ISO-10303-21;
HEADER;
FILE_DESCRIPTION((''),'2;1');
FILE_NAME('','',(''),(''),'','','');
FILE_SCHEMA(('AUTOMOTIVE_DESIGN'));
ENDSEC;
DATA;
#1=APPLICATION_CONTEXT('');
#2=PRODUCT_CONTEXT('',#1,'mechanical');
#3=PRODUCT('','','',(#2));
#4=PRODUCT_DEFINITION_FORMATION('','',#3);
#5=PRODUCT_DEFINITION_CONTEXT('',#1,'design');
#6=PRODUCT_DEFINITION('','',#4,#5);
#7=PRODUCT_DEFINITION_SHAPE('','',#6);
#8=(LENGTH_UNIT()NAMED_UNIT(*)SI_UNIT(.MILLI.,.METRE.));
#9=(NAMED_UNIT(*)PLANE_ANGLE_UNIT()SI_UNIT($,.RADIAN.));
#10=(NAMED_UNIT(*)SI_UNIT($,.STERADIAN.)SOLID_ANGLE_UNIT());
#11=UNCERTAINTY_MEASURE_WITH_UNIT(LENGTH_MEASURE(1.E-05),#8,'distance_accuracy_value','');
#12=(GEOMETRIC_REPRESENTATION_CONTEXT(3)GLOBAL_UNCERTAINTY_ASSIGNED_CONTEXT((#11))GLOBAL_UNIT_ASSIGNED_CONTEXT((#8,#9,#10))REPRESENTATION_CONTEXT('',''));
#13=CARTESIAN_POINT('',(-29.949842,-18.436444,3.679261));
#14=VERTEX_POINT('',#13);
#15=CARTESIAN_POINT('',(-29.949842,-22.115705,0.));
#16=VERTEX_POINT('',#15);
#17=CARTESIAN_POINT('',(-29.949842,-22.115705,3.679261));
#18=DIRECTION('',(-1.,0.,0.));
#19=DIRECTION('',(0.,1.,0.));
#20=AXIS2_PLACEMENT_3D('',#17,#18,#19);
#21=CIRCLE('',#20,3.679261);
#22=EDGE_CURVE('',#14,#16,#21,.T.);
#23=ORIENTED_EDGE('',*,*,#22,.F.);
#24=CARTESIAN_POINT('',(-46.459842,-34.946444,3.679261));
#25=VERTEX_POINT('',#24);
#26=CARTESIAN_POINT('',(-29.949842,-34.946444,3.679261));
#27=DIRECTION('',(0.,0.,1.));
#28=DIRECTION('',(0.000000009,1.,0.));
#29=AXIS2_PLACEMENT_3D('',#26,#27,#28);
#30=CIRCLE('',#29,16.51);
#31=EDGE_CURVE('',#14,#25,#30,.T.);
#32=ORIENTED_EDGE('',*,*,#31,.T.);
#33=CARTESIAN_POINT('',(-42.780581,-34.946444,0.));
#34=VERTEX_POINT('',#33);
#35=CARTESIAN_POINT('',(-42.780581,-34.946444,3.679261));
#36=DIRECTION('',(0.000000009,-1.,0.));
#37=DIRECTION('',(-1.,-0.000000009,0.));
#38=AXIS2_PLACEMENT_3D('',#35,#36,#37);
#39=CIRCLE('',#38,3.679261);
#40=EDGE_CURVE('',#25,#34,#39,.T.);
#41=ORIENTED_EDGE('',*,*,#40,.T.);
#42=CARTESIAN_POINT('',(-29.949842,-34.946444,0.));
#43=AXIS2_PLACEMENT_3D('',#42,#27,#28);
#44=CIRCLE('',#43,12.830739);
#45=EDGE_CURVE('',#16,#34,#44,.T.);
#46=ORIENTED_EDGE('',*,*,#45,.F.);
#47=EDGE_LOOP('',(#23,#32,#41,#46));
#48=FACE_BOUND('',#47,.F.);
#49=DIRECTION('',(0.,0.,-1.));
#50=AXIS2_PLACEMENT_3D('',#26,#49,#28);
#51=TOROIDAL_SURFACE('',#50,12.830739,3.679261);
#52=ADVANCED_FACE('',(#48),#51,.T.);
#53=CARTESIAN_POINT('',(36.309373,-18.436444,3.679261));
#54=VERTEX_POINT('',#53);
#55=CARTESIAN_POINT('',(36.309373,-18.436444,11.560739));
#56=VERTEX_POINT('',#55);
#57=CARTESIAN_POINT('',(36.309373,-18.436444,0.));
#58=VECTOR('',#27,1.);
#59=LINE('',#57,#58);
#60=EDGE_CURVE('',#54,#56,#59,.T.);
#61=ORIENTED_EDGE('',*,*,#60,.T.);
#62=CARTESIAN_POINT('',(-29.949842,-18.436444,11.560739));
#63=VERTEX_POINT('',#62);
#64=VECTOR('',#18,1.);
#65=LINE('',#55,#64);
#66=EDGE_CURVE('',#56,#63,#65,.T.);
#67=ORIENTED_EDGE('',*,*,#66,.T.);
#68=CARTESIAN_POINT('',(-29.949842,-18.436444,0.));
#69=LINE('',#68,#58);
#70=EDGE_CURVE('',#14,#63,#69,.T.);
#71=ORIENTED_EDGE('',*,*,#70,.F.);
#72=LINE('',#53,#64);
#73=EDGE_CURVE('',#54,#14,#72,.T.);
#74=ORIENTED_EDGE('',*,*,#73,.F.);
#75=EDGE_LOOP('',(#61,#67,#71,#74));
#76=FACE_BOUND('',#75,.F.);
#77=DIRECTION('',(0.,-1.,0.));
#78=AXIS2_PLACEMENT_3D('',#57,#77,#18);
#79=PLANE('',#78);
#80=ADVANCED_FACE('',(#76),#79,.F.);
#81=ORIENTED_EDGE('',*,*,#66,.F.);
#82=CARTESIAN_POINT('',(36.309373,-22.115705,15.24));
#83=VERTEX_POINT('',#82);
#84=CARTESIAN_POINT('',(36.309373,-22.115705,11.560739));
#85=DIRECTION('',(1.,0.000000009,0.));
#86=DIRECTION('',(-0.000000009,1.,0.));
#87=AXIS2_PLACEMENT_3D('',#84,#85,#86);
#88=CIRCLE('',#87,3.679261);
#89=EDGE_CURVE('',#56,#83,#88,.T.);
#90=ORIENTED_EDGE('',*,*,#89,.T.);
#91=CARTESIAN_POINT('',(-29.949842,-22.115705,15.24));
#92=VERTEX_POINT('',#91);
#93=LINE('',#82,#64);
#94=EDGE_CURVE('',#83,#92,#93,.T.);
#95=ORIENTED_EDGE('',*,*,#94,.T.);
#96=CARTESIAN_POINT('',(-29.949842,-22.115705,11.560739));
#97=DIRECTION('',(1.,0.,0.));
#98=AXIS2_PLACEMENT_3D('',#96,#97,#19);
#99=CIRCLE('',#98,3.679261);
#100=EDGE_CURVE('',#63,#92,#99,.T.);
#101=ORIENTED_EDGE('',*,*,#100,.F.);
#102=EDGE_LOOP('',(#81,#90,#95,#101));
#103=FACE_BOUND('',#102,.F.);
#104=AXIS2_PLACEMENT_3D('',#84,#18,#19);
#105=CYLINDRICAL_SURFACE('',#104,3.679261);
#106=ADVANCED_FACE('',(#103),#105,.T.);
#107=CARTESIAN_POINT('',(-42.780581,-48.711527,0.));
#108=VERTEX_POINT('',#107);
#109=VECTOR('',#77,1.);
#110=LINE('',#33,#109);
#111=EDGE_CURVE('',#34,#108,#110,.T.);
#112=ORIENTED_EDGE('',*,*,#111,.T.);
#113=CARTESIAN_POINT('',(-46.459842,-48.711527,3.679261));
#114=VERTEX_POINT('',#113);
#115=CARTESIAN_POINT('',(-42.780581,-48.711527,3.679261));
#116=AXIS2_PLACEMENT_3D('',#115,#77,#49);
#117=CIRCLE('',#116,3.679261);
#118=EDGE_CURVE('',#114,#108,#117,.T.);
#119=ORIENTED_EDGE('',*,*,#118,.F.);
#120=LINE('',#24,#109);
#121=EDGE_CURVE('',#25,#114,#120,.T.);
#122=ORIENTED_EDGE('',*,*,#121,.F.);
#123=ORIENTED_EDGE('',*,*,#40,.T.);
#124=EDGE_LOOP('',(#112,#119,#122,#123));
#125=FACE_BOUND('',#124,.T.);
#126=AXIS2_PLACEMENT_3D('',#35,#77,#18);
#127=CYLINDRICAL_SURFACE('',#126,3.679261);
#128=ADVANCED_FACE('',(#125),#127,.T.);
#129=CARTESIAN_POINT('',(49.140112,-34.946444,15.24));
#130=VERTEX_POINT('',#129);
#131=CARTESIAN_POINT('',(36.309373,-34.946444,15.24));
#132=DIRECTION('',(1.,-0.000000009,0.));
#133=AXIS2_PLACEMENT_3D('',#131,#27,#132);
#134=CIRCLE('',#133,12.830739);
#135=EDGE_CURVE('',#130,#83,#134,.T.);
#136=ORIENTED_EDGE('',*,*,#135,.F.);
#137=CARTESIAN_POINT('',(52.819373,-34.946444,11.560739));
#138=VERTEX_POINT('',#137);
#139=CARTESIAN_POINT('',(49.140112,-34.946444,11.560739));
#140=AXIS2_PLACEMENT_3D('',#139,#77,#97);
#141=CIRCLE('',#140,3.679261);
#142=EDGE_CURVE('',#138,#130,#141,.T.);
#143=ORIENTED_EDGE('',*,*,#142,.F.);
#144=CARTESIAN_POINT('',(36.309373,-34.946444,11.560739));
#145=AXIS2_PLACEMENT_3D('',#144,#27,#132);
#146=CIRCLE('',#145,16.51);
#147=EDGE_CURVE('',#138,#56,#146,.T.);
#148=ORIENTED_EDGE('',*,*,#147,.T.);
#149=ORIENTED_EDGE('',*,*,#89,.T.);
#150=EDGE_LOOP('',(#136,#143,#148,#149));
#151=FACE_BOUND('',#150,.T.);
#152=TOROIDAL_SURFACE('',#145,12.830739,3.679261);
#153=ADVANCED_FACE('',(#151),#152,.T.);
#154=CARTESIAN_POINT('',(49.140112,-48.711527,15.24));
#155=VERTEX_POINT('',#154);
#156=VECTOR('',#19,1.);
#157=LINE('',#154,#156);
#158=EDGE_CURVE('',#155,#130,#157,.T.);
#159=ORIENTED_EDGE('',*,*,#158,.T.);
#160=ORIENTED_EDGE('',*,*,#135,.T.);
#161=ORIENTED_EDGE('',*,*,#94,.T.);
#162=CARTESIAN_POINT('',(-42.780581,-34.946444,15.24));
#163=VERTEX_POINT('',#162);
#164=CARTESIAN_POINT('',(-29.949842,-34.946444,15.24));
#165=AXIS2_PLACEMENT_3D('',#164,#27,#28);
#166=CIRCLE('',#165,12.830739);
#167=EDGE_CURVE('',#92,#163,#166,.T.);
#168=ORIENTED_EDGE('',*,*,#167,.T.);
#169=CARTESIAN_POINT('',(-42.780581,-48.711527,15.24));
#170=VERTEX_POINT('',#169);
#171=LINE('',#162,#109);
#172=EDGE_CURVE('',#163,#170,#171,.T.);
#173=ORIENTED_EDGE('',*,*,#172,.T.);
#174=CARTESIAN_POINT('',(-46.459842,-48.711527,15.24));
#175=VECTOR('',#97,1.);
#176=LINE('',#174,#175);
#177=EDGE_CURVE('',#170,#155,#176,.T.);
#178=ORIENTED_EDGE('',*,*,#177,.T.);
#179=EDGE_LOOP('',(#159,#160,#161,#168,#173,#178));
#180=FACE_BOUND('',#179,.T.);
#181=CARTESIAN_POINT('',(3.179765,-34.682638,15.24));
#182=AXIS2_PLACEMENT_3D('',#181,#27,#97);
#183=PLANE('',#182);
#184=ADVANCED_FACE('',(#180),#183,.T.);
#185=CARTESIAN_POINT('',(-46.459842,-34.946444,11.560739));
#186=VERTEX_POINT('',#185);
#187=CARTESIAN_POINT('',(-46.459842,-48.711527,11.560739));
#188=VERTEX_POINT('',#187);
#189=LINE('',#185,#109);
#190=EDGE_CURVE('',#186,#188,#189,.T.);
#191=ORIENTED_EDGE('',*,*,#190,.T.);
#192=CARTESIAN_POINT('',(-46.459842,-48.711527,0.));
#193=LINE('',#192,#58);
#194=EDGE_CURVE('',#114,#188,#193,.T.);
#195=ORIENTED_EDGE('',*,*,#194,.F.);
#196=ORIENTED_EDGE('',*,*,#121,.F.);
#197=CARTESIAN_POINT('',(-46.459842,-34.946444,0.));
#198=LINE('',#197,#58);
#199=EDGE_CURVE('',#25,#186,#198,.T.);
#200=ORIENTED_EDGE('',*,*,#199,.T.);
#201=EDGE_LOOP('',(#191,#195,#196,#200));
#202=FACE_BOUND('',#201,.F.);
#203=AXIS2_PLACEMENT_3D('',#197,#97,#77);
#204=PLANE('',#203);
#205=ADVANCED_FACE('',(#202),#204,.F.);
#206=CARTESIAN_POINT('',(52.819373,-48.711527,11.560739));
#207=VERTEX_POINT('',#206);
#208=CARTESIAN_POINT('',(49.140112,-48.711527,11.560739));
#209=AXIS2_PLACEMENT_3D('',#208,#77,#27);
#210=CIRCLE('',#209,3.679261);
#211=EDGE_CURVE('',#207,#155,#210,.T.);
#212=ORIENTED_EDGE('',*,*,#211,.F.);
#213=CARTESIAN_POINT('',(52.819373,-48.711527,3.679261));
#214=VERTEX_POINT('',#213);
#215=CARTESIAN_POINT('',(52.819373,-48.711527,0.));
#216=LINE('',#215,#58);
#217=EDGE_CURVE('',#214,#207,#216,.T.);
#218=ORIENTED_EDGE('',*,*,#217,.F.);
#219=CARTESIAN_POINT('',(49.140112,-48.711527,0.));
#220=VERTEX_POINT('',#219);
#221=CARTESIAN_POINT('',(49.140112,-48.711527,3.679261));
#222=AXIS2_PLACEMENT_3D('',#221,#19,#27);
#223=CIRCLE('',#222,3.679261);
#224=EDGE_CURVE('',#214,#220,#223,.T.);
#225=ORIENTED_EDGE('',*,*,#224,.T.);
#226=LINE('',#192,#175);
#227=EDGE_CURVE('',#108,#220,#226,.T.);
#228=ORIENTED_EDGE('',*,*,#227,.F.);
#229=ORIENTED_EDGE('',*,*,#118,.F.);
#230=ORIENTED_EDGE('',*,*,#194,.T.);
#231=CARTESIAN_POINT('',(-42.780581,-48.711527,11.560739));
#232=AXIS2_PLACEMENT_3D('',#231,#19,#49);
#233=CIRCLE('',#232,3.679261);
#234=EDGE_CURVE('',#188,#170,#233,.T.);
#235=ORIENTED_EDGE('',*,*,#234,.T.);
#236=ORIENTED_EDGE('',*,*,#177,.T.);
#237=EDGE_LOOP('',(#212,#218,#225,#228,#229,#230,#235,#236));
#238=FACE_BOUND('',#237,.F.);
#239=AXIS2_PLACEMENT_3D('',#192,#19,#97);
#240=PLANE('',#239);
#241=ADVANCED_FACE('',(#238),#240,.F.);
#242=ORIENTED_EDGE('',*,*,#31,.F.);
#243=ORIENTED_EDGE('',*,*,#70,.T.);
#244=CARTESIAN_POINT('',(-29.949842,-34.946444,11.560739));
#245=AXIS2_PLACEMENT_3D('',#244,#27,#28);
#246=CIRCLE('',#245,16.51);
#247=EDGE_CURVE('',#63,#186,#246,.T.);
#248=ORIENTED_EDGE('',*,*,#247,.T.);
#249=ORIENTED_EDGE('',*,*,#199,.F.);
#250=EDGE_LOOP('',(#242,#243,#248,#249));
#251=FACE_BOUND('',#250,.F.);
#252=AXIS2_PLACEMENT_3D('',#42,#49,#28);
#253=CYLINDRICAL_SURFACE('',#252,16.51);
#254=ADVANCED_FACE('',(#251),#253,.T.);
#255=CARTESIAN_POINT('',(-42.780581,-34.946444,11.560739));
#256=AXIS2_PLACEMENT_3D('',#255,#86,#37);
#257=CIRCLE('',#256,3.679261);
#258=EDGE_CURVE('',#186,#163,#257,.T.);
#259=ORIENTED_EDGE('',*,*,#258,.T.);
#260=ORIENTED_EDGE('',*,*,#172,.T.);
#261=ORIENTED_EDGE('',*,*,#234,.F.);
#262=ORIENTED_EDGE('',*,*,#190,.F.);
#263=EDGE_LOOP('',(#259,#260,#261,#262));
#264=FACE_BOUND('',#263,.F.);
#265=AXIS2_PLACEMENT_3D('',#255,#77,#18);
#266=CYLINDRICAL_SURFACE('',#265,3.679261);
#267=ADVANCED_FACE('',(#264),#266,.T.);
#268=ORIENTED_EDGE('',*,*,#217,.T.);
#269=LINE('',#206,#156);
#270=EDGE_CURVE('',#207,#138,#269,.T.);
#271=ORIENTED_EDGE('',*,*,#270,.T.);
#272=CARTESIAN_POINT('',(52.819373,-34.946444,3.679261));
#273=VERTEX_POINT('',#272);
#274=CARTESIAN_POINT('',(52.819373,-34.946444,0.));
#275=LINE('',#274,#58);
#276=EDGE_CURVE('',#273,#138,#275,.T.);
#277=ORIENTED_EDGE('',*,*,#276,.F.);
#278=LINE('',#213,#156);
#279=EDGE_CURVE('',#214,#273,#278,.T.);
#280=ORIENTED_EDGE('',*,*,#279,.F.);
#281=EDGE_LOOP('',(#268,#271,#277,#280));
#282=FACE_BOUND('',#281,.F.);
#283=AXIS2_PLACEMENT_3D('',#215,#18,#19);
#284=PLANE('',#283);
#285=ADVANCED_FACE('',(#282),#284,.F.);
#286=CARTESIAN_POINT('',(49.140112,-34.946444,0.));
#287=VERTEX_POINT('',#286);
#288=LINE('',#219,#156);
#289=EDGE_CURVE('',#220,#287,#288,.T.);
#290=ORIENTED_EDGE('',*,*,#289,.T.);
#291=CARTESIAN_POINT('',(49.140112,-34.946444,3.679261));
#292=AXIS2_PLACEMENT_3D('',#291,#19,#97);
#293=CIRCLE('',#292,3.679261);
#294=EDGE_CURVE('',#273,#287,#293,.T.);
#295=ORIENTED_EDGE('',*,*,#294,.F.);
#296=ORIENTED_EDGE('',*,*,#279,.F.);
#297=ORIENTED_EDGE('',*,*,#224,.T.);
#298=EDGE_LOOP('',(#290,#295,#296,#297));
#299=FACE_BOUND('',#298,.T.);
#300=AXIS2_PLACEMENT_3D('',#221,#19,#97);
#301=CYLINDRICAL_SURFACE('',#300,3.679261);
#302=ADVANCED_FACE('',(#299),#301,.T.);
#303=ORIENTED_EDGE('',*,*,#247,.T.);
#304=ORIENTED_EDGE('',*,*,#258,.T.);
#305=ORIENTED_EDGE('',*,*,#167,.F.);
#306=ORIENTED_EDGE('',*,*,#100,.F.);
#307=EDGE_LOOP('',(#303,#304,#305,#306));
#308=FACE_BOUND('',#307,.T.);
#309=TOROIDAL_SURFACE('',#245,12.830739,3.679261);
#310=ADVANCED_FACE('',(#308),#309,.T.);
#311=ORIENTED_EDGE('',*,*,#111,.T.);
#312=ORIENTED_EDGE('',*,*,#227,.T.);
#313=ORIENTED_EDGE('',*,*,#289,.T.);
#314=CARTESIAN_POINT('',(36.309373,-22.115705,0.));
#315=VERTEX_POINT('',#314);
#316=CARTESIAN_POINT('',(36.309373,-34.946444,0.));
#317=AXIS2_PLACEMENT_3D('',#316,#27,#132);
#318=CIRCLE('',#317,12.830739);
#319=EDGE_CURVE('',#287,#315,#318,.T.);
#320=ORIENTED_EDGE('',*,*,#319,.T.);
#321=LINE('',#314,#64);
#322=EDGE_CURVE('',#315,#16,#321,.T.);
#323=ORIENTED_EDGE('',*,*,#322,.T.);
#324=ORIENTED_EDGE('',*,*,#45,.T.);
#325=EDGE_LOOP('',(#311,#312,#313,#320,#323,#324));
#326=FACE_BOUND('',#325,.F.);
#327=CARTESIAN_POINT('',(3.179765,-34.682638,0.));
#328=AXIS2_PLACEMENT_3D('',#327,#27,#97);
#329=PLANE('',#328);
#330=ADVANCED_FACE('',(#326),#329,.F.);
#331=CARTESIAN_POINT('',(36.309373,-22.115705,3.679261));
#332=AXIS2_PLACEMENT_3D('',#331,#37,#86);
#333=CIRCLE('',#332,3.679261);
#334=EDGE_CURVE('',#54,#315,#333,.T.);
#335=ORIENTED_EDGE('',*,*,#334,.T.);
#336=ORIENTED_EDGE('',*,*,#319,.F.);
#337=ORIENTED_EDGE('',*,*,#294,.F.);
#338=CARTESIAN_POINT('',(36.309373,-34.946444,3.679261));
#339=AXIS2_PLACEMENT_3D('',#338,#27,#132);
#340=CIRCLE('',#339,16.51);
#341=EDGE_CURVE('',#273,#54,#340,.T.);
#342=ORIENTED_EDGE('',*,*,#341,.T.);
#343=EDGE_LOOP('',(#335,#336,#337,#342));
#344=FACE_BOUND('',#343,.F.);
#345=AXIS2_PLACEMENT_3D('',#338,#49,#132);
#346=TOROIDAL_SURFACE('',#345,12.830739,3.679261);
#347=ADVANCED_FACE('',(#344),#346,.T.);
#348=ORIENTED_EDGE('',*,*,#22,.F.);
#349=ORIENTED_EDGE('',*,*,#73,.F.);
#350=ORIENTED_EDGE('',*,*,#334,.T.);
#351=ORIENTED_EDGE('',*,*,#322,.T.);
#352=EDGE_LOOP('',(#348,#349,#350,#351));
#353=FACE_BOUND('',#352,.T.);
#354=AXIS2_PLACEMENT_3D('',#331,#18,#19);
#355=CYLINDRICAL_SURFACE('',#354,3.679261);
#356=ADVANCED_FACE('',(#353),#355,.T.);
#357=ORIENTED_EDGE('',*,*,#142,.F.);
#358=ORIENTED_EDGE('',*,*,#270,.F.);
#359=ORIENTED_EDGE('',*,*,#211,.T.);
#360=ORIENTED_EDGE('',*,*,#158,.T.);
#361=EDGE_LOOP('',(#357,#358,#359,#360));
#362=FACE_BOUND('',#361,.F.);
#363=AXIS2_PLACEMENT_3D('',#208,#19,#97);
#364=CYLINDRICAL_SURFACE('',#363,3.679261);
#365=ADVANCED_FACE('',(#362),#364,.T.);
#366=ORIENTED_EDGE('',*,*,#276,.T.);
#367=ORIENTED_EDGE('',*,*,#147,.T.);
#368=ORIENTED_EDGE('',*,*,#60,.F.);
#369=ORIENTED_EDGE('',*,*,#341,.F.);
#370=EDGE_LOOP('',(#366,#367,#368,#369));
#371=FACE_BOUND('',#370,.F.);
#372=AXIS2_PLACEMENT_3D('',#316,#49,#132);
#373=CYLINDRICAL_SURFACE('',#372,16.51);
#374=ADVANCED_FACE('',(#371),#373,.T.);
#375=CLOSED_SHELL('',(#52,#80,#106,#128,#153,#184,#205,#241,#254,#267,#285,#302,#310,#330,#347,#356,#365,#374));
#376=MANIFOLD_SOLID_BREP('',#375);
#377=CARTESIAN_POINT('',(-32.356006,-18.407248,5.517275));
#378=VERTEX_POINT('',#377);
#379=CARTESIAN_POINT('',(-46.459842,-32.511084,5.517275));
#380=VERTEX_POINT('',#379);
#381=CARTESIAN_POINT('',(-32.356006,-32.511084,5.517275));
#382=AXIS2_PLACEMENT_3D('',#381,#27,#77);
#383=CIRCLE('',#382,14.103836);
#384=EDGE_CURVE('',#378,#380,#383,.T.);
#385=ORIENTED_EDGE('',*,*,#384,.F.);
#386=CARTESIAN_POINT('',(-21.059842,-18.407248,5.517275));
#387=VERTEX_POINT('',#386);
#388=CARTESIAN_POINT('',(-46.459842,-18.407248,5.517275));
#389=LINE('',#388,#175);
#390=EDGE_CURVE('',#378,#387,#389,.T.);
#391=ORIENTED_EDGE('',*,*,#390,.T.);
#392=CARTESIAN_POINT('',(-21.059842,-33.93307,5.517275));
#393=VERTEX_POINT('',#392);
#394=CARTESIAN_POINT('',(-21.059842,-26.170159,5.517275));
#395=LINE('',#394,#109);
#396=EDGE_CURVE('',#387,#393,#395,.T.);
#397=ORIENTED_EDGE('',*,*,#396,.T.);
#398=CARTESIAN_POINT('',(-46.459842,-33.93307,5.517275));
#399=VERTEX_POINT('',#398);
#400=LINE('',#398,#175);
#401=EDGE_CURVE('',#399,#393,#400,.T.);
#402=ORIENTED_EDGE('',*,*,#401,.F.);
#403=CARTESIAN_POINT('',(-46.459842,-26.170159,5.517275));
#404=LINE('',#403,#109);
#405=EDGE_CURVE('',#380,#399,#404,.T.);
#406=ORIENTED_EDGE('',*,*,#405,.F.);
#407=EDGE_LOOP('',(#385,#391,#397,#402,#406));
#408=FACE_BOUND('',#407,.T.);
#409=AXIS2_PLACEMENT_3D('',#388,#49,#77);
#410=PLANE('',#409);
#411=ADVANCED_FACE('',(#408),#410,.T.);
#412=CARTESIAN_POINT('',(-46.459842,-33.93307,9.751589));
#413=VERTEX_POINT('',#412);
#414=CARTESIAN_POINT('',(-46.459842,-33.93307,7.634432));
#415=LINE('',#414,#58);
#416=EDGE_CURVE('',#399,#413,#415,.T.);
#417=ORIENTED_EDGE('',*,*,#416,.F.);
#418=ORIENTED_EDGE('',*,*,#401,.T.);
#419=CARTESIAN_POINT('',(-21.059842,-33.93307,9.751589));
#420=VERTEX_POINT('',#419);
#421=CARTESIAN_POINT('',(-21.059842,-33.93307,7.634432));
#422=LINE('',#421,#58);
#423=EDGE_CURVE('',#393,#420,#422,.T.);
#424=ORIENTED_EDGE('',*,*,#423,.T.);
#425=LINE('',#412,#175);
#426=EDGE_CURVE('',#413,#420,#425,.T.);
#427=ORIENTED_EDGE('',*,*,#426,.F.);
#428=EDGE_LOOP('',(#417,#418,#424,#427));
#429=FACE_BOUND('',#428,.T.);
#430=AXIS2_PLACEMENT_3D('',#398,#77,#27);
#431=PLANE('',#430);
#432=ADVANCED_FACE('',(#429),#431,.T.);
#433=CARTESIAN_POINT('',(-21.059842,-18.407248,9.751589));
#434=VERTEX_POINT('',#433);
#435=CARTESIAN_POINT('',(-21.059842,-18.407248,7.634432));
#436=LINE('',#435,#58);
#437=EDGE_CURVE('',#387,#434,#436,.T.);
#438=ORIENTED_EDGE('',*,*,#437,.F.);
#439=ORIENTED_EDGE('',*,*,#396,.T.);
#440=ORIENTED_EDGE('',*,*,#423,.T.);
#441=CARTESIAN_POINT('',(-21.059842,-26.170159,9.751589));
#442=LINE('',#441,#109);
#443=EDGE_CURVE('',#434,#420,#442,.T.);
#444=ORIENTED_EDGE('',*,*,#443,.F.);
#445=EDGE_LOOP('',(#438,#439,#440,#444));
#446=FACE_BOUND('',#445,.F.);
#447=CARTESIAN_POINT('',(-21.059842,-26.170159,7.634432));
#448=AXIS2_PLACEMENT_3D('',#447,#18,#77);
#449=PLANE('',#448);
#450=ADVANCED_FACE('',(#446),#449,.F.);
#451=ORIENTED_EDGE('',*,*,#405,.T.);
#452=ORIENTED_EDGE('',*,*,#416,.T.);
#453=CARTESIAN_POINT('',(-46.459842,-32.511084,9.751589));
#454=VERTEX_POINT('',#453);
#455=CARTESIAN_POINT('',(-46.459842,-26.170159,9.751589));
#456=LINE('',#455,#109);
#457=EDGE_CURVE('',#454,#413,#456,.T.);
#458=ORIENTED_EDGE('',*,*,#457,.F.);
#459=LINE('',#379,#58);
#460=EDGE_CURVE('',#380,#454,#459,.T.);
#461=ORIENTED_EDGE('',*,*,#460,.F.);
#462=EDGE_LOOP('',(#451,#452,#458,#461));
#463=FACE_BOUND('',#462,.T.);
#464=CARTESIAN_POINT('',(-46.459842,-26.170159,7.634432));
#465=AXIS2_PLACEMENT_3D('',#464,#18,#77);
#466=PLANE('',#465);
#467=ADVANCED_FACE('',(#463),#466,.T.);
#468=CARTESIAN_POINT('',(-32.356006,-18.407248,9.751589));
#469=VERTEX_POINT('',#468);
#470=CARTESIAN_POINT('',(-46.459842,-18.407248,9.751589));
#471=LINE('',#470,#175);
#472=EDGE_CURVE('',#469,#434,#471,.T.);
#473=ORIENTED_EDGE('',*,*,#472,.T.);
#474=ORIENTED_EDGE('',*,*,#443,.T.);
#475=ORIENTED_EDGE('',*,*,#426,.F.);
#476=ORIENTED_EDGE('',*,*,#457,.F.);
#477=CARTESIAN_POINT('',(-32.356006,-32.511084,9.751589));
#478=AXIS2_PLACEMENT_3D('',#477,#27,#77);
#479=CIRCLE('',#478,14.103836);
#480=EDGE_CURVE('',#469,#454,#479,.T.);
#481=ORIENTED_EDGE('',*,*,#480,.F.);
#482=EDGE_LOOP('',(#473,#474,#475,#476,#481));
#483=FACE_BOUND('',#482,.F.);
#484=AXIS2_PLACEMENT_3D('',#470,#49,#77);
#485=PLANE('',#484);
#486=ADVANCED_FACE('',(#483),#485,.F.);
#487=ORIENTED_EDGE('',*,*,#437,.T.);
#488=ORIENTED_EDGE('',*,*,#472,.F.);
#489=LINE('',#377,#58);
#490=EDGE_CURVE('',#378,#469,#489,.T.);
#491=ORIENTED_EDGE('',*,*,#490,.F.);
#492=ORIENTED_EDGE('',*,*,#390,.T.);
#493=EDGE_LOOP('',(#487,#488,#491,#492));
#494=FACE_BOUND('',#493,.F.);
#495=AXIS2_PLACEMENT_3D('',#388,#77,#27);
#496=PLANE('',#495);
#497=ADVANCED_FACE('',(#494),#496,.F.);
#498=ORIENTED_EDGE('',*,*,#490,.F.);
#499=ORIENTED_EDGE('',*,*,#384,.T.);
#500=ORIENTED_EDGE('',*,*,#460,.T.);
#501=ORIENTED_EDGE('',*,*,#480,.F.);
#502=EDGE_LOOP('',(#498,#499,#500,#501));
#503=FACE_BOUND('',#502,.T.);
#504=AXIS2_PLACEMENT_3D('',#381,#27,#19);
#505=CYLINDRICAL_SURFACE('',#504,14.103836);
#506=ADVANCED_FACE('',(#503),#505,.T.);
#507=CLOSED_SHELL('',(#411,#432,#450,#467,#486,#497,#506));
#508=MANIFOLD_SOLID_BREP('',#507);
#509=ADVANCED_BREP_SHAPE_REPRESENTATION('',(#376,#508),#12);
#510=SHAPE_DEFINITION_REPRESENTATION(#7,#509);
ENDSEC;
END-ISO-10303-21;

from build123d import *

# Parameters (mm, degrees)
F1_DEPTH = 15.24
F2_R     = 3.679261
F3_W     = 15.525822
F3_H     = 4.234315
F4_DEPTH = 25.4
F5_R     = 14.103836


with BuildPart() as f1:
    # F0 (on Top) → F1 (new body)
    with BuildSketch(Plane.XY):
        with BuildLine():
            Line((36.309373, -18.436444), (-29.949842, -18.436444))
            ThreePointArc((-29.949842, -18.436444), (-41.624175, -23.272111), (-46.459842, -34.946444))
            Line((-46.459842, -34.946444), (-46.459842, -48.711527))
            Line((-46.459842, -48.711527), (52.819373, -48.711527))
            Line((52.819373, -48.711527), (52.819373, -34.946444))
            ThreePointArc((52.819373, -34.946444), (47.983706, -23.272111), (36.309373, -18.436444))
        make_face()
    extrude(amount=F1_DEPTH)

    # F2
    f2_edges = [f1.edges().sort_by_distance(p)[0] for p in [
        (3.179765, -18.436444, 15.24),
        (3.179765, -18.436444, 0),
    ]]
    fillet(f2_edges, radius=F2_R)


with BuildPart() as f4:
    # F3 (on face) → F4 (new body)
    with BuildSketch(Plane(origin=(-46.459842, 0, 0), x_dir=(0, -1, 0), z_dir=(-1, 0, 0))):
        with Locations((26.170159, 7.634432)):
            Rectangle(F3_W, F3_H)
    extrude(amount=-F4_DEPTH)

    # F5
    f5_edges = [f4.edges().sort_by_distance(p)[0] for p in [
        (-46.459842, -18.407248, 7.634432),
    ]]
    fillet(f5_edges, radius=F5_R)


solid = Compound([f1.part, f4.part])
